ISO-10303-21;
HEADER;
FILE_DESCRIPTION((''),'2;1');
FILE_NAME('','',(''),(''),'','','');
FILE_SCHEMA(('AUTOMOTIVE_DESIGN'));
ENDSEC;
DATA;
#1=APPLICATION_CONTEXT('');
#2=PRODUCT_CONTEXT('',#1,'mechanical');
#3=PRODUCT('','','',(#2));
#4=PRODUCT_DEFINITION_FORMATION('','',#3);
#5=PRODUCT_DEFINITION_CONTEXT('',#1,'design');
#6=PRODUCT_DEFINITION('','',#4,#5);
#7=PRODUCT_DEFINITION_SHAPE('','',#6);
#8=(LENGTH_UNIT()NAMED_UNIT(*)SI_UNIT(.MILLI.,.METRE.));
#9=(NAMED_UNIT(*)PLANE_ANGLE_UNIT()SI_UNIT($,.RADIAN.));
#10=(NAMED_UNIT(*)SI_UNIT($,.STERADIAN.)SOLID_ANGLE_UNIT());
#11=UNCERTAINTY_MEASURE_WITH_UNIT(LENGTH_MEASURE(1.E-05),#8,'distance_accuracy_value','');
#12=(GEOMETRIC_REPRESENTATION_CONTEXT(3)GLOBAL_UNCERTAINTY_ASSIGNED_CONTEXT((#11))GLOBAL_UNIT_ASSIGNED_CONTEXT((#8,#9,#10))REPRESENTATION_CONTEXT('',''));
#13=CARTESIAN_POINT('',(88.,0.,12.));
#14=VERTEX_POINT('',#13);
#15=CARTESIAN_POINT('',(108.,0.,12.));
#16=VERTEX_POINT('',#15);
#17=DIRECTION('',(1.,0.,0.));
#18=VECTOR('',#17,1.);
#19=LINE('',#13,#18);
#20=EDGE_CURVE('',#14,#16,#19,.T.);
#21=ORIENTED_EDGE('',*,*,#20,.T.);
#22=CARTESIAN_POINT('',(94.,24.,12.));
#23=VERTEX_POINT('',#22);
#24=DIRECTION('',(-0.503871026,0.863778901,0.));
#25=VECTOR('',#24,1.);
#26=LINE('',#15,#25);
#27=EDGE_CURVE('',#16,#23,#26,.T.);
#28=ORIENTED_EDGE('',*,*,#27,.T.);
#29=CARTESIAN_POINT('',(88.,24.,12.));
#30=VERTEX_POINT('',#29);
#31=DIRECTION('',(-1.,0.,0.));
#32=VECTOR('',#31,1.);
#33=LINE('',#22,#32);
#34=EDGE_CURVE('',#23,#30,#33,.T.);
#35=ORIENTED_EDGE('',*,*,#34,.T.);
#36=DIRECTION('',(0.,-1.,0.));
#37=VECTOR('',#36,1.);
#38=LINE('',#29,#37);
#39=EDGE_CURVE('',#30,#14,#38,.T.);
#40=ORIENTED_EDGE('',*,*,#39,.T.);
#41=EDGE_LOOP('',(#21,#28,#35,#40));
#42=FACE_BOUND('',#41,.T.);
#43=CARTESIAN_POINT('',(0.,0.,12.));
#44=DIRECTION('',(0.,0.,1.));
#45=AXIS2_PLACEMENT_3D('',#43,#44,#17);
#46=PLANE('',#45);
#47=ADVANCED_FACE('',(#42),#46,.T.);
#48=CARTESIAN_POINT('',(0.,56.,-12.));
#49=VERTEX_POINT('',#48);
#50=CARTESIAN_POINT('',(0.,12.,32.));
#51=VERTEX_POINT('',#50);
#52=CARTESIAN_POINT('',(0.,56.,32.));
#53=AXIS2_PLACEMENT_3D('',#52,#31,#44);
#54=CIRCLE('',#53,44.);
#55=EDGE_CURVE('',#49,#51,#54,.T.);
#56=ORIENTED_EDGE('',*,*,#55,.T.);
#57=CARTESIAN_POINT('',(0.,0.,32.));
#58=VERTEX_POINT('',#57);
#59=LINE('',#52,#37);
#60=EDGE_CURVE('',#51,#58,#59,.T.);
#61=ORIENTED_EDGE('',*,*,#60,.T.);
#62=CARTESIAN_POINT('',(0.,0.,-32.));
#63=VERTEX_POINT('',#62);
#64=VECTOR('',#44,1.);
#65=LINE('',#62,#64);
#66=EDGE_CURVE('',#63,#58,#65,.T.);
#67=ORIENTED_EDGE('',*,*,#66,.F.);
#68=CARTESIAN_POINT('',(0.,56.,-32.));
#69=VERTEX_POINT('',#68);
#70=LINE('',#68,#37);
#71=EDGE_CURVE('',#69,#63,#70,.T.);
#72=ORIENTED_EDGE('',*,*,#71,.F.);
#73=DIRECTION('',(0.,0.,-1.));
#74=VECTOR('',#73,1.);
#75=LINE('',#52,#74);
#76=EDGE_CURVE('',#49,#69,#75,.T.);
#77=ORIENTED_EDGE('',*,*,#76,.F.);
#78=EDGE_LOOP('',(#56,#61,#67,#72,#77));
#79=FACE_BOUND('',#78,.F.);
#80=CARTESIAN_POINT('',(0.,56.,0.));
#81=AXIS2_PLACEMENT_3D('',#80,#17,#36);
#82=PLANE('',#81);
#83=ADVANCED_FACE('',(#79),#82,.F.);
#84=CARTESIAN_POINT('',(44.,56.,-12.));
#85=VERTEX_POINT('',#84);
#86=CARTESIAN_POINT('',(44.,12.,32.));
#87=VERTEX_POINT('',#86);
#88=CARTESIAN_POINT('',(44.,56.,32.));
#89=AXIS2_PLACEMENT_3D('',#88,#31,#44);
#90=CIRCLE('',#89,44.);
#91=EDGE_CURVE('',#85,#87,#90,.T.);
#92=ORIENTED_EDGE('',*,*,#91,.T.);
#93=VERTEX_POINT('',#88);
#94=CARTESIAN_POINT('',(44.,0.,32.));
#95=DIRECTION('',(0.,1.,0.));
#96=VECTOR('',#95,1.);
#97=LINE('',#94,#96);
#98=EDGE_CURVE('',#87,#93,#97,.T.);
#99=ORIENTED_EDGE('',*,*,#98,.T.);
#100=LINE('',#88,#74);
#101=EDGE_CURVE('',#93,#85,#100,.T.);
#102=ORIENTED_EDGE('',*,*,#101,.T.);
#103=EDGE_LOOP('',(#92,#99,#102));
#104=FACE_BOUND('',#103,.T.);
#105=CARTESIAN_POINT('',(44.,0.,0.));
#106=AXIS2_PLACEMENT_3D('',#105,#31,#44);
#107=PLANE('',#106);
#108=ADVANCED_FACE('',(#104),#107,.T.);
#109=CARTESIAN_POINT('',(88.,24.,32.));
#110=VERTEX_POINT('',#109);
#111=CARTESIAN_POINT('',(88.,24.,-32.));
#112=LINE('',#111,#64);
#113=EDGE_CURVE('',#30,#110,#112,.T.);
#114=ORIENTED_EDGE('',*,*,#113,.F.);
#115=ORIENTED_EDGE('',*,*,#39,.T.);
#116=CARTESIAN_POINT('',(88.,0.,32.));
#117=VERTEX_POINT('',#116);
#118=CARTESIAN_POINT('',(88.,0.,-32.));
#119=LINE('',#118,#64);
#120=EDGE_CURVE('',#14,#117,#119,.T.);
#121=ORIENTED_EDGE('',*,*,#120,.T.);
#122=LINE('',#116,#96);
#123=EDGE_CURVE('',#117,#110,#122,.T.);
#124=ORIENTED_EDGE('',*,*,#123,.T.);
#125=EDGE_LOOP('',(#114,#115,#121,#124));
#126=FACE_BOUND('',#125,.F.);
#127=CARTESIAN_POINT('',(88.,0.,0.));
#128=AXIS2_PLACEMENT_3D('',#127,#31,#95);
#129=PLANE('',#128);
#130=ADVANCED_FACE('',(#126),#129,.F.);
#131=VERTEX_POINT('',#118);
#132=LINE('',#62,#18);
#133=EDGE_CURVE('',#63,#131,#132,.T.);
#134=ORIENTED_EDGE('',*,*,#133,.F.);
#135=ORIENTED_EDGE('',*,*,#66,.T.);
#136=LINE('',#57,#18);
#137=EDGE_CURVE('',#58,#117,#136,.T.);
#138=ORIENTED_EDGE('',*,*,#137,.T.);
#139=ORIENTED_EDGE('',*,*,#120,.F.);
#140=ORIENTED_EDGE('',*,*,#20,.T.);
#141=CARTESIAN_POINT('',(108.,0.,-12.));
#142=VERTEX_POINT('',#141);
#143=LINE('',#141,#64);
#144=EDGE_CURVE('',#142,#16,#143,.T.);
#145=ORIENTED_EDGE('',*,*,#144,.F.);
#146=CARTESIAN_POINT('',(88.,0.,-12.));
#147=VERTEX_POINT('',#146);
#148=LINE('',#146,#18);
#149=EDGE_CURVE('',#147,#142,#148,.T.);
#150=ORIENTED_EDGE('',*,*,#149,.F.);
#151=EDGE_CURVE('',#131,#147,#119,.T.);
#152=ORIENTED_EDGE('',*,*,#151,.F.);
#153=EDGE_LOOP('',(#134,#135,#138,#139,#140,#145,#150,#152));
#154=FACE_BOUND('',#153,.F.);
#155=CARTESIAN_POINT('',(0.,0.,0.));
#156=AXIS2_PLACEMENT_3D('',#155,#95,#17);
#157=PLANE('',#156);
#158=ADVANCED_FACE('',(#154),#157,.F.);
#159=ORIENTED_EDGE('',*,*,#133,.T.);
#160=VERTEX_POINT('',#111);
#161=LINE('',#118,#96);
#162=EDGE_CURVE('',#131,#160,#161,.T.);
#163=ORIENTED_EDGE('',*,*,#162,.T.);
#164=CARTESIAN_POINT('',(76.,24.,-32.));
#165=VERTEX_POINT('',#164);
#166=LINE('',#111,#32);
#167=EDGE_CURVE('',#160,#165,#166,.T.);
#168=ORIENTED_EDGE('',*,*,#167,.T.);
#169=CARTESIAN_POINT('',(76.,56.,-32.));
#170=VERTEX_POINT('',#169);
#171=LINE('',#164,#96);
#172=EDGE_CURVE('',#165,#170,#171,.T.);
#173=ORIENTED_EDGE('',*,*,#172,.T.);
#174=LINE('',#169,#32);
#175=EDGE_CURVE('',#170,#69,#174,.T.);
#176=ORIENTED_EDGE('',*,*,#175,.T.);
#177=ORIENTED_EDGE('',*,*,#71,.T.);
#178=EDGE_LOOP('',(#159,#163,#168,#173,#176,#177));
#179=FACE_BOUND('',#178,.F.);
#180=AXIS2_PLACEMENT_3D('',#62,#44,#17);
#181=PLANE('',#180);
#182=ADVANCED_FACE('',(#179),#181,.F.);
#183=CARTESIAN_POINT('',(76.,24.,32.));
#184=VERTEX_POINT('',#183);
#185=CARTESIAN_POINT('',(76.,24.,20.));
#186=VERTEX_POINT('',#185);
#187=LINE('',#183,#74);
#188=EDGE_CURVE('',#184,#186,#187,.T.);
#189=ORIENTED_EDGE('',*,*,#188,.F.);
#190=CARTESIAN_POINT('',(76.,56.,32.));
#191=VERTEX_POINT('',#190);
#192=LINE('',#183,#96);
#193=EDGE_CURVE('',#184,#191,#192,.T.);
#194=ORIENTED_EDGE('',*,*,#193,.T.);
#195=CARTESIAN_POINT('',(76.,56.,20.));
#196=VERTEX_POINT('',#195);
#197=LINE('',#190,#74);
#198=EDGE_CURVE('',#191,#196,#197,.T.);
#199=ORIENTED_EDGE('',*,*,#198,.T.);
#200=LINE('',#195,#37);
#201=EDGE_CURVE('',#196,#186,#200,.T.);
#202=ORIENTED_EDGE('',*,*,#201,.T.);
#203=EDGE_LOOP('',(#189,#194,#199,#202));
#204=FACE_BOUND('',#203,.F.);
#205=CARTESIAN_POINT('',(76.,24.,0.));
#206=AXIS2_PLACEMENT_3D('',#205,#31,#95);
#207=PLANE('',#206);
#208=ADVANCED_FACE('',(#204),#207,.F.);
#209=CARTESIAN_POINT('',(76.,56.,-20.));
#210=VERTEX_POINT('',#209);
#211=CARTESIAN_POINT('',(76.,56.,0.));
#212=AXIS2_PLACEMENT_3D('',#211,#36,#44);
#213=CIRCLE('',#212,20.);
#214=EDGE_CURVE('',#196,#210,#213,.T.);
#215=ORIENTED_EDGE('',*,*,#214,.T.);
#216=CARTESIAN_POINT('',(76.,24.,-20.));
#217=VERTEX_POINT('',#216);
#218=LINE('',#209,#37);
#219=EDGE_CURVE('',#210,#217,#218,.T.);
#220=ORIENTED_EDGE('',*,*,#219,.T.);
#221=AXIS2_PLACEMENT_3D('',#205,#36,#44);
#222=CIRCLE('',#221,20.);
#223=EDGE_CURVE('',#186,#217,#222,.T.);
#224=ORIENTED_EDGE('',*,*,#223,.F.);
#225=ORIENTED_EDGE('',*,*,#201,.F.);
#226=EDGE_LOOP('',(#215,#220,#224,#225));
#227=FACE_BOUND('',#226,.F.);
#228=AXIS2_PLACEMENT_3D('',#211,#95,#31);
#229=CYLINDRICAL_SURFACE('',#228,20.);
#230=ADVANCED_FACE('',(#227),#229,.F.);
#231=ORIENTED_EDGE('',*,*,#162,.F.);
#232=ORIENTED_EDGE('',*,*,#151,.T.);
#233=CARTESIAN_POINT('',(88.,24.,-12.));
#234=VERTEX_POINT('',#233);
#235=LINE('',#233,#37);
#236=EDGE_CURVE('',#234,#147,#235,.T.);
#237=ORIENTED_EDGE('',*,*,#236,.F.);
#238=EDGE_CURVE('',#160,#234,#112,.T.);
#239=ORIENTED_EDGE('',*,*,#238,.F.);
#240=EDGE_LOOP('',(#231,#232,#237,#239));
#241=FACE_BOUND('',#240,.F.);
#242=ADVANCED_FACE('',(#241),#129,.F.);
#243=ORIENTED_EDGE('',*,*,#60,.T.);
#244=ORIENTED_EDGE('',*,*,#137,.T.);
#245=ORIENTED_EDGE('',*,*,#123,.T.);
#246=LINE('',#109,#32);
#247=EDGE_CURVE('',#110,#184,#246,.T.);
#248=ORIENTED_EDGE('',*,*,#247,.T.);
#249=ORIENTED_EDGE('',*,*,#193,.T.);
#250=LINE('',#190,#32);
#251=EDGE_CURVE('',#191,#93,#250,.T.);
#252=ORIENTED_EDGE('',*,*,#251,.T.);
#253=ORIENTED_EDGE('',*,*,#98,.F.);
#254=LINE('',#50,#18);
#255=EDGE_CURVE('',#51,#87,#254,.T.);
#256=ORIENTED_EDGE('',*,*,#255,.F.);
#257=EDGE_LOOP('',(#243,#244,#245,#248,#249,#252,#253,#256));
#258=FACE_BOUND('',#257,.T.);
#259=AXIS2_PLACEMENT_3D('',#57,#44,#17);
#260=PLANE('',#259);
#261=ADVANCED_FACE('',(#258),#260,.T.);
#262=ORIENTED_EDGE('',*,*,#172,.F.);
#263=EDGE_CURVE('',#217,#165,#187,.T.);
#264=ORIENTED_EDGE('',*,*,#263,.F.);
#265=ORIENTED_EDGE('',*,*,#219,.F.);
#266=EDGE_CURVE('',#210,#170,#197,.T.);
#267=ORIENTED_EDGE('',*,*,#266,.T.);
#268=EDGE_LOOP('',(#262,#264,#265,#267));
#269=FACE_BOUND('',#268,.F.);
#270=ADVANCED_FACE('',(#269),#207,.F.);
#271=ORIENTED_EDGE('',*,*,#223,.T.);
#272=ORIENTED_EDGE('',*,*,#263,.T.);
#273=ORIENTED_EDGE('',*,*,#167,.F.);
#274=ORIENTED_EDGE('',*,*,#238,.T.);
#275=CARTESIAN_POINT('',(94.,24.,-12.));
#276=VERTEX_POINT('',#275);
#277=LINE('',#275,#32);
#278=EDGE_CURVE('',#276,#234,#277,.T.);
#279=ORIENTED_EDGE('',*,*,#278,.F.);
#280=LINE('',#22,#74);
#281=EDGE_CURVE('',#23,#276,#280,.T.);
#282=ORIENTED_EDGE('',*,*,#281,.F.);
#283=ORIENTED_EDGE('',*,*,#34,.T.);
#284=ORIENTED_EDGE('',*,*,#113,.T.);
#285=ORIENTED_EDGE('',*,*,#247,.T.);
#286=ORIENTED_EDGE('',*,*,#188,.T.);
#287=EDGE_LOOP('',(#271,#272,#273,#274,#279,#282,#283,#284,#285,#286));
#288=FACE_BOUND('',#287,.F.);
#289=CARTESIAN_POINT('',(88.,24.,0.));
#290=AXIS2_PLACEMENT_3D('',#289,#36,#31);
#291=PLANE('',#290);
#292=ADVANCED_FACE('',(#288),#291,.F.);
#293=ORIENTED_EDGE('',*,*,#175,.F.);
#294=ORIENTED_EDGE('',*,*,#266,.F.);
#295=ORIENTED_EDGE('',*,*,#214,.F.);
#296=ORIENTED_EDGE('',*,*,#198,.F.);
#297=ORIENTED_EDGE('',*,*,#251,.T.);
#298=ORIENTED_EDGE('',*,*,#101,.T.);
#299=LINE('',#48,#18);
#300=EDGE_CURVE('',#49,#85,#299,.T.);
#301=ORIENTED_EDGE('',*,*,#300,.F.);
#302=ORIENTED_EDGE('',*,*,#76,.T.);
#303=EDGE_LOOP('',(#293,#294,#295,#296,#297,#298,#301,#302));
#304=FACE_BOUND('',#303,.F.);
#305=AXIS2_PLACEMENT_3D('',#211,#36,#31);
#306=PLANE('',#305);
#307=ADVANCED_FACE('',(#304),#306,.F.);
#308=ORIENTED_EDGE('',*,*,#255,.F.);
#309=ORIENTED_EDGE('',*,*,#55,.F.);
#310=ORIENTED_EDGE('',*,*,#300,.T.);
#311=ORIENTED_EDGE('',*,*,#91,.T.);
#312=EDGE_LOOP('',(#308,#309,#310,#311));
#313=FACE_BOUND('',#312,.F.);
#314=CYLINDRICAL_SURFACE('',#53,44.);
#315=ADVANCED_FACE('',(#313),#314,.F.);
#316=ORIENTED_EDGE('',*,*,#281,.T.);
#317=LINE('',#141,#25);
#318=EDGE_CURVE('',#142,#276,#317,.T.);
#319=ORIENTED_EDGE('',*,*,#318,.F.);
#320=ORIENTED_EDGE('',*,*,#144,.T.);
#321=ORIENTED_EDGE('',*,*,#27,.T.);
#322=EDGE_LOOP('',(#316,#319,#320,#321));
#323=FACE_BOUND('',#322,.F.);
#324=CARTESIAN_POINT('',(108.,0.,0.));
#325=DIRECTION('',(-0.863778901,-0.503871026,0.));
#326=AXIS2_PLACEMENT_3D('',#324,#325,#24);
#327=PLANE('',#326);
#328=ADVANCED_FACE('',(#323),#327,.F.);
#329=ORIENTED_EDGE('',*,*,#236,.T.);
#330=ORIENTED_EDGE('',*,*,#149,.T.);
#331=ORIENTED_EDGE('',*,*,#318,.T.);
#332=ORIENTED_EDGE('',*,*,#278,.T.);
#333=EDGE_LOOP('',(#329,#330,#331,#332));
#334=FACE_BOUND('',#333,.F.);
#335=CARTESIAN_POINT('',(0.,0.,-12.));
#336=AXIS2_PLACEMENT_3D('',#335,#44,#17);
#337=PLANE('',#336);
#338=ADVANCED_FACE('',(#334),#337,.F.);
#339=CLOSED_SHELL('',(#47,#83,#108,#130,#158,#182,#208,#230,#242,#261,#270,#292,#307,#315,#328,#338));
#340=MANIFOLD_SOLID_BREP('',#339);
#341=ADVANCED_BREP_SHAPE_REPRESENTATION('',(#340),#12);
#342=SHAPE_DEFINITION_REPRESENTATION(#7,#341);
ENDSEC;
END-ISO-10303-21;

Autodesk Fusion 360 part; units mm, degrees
sketch "Sketch1" plane through (0, 0, 0) normal (0, 0, 1) x (1, 0, 0)
  line L0 (0, 0) -> (88, 0)
  line L1 (88, 0) -> (88, 24)
  line L2 (88, 24) -> (76, 24)
  line L3 (76, 24) -> (76, 56)
  line L4 (76, 56) -> (0, 56)
  line L5 (0, 56) -> (0, 0)
  dimension "d1" = 88
  dimension "d2" = 24
  dimension "d3" = 12
  dimension "d4" = 32
extrude "Extrude1" add sketch "Sketch1" along normal mid plane 64
sketch "Sketch2" plane through (0, 0, 0) normal (0, 0, 1) x (1, 0, 0)
  line L0 (88, 0) -> (108, 0)
  line L1 (108, 0) -> (94, 24)
  line L2 (94, 24) -> (88, 24)
  line L3 (88, 24) -> (88, 0)
  point P0 (88, 24)
  point P1 (88, 0)
  dimension "d7" = 20
  dimension "d8" = 6
extrude "Extrude2" add sketch "Sketch2" along normal mid plane 24
sketch "Sketch3" plane through (0, 56, 0) normal (0, 1, 0) x (-1, 0, 0)
  line L0 (0, -32) -> (0, 32)
  line L1 (0, 32) -> (-76, 32)
  line L2 (-76, 32) -> (-76, -32)
  line L3 (-76, -32) -> (0, -32)
  circle A0 centre (-76, 0) radius 20
  dimension "d11" = 40
extrude "Extrude3" cut sketch "Sketch3" against normal blind 32 contours L2 A0 picked at (-67.9161, 5.5729)
sketch "Sketch4" plane through (0, 0, 0) normal (-1, 0, 0) x (0, 0, 1)
  line L0 (-32, 0) -> (32, 0)
  line L1 (32, 0) -> (32, 56)
  line L2 (32, 56) -> (-32, 56)
  line L3 (-32, 56) -> (-32, 0)
  circle A0 centre (32, 56) radius 44
  dimension "d14" = 88
extrude "Extrude4" cut sketch "Sketch4" against normal blind 44 contours L1 L2 A0 picked at (29.9127, 26.816)
